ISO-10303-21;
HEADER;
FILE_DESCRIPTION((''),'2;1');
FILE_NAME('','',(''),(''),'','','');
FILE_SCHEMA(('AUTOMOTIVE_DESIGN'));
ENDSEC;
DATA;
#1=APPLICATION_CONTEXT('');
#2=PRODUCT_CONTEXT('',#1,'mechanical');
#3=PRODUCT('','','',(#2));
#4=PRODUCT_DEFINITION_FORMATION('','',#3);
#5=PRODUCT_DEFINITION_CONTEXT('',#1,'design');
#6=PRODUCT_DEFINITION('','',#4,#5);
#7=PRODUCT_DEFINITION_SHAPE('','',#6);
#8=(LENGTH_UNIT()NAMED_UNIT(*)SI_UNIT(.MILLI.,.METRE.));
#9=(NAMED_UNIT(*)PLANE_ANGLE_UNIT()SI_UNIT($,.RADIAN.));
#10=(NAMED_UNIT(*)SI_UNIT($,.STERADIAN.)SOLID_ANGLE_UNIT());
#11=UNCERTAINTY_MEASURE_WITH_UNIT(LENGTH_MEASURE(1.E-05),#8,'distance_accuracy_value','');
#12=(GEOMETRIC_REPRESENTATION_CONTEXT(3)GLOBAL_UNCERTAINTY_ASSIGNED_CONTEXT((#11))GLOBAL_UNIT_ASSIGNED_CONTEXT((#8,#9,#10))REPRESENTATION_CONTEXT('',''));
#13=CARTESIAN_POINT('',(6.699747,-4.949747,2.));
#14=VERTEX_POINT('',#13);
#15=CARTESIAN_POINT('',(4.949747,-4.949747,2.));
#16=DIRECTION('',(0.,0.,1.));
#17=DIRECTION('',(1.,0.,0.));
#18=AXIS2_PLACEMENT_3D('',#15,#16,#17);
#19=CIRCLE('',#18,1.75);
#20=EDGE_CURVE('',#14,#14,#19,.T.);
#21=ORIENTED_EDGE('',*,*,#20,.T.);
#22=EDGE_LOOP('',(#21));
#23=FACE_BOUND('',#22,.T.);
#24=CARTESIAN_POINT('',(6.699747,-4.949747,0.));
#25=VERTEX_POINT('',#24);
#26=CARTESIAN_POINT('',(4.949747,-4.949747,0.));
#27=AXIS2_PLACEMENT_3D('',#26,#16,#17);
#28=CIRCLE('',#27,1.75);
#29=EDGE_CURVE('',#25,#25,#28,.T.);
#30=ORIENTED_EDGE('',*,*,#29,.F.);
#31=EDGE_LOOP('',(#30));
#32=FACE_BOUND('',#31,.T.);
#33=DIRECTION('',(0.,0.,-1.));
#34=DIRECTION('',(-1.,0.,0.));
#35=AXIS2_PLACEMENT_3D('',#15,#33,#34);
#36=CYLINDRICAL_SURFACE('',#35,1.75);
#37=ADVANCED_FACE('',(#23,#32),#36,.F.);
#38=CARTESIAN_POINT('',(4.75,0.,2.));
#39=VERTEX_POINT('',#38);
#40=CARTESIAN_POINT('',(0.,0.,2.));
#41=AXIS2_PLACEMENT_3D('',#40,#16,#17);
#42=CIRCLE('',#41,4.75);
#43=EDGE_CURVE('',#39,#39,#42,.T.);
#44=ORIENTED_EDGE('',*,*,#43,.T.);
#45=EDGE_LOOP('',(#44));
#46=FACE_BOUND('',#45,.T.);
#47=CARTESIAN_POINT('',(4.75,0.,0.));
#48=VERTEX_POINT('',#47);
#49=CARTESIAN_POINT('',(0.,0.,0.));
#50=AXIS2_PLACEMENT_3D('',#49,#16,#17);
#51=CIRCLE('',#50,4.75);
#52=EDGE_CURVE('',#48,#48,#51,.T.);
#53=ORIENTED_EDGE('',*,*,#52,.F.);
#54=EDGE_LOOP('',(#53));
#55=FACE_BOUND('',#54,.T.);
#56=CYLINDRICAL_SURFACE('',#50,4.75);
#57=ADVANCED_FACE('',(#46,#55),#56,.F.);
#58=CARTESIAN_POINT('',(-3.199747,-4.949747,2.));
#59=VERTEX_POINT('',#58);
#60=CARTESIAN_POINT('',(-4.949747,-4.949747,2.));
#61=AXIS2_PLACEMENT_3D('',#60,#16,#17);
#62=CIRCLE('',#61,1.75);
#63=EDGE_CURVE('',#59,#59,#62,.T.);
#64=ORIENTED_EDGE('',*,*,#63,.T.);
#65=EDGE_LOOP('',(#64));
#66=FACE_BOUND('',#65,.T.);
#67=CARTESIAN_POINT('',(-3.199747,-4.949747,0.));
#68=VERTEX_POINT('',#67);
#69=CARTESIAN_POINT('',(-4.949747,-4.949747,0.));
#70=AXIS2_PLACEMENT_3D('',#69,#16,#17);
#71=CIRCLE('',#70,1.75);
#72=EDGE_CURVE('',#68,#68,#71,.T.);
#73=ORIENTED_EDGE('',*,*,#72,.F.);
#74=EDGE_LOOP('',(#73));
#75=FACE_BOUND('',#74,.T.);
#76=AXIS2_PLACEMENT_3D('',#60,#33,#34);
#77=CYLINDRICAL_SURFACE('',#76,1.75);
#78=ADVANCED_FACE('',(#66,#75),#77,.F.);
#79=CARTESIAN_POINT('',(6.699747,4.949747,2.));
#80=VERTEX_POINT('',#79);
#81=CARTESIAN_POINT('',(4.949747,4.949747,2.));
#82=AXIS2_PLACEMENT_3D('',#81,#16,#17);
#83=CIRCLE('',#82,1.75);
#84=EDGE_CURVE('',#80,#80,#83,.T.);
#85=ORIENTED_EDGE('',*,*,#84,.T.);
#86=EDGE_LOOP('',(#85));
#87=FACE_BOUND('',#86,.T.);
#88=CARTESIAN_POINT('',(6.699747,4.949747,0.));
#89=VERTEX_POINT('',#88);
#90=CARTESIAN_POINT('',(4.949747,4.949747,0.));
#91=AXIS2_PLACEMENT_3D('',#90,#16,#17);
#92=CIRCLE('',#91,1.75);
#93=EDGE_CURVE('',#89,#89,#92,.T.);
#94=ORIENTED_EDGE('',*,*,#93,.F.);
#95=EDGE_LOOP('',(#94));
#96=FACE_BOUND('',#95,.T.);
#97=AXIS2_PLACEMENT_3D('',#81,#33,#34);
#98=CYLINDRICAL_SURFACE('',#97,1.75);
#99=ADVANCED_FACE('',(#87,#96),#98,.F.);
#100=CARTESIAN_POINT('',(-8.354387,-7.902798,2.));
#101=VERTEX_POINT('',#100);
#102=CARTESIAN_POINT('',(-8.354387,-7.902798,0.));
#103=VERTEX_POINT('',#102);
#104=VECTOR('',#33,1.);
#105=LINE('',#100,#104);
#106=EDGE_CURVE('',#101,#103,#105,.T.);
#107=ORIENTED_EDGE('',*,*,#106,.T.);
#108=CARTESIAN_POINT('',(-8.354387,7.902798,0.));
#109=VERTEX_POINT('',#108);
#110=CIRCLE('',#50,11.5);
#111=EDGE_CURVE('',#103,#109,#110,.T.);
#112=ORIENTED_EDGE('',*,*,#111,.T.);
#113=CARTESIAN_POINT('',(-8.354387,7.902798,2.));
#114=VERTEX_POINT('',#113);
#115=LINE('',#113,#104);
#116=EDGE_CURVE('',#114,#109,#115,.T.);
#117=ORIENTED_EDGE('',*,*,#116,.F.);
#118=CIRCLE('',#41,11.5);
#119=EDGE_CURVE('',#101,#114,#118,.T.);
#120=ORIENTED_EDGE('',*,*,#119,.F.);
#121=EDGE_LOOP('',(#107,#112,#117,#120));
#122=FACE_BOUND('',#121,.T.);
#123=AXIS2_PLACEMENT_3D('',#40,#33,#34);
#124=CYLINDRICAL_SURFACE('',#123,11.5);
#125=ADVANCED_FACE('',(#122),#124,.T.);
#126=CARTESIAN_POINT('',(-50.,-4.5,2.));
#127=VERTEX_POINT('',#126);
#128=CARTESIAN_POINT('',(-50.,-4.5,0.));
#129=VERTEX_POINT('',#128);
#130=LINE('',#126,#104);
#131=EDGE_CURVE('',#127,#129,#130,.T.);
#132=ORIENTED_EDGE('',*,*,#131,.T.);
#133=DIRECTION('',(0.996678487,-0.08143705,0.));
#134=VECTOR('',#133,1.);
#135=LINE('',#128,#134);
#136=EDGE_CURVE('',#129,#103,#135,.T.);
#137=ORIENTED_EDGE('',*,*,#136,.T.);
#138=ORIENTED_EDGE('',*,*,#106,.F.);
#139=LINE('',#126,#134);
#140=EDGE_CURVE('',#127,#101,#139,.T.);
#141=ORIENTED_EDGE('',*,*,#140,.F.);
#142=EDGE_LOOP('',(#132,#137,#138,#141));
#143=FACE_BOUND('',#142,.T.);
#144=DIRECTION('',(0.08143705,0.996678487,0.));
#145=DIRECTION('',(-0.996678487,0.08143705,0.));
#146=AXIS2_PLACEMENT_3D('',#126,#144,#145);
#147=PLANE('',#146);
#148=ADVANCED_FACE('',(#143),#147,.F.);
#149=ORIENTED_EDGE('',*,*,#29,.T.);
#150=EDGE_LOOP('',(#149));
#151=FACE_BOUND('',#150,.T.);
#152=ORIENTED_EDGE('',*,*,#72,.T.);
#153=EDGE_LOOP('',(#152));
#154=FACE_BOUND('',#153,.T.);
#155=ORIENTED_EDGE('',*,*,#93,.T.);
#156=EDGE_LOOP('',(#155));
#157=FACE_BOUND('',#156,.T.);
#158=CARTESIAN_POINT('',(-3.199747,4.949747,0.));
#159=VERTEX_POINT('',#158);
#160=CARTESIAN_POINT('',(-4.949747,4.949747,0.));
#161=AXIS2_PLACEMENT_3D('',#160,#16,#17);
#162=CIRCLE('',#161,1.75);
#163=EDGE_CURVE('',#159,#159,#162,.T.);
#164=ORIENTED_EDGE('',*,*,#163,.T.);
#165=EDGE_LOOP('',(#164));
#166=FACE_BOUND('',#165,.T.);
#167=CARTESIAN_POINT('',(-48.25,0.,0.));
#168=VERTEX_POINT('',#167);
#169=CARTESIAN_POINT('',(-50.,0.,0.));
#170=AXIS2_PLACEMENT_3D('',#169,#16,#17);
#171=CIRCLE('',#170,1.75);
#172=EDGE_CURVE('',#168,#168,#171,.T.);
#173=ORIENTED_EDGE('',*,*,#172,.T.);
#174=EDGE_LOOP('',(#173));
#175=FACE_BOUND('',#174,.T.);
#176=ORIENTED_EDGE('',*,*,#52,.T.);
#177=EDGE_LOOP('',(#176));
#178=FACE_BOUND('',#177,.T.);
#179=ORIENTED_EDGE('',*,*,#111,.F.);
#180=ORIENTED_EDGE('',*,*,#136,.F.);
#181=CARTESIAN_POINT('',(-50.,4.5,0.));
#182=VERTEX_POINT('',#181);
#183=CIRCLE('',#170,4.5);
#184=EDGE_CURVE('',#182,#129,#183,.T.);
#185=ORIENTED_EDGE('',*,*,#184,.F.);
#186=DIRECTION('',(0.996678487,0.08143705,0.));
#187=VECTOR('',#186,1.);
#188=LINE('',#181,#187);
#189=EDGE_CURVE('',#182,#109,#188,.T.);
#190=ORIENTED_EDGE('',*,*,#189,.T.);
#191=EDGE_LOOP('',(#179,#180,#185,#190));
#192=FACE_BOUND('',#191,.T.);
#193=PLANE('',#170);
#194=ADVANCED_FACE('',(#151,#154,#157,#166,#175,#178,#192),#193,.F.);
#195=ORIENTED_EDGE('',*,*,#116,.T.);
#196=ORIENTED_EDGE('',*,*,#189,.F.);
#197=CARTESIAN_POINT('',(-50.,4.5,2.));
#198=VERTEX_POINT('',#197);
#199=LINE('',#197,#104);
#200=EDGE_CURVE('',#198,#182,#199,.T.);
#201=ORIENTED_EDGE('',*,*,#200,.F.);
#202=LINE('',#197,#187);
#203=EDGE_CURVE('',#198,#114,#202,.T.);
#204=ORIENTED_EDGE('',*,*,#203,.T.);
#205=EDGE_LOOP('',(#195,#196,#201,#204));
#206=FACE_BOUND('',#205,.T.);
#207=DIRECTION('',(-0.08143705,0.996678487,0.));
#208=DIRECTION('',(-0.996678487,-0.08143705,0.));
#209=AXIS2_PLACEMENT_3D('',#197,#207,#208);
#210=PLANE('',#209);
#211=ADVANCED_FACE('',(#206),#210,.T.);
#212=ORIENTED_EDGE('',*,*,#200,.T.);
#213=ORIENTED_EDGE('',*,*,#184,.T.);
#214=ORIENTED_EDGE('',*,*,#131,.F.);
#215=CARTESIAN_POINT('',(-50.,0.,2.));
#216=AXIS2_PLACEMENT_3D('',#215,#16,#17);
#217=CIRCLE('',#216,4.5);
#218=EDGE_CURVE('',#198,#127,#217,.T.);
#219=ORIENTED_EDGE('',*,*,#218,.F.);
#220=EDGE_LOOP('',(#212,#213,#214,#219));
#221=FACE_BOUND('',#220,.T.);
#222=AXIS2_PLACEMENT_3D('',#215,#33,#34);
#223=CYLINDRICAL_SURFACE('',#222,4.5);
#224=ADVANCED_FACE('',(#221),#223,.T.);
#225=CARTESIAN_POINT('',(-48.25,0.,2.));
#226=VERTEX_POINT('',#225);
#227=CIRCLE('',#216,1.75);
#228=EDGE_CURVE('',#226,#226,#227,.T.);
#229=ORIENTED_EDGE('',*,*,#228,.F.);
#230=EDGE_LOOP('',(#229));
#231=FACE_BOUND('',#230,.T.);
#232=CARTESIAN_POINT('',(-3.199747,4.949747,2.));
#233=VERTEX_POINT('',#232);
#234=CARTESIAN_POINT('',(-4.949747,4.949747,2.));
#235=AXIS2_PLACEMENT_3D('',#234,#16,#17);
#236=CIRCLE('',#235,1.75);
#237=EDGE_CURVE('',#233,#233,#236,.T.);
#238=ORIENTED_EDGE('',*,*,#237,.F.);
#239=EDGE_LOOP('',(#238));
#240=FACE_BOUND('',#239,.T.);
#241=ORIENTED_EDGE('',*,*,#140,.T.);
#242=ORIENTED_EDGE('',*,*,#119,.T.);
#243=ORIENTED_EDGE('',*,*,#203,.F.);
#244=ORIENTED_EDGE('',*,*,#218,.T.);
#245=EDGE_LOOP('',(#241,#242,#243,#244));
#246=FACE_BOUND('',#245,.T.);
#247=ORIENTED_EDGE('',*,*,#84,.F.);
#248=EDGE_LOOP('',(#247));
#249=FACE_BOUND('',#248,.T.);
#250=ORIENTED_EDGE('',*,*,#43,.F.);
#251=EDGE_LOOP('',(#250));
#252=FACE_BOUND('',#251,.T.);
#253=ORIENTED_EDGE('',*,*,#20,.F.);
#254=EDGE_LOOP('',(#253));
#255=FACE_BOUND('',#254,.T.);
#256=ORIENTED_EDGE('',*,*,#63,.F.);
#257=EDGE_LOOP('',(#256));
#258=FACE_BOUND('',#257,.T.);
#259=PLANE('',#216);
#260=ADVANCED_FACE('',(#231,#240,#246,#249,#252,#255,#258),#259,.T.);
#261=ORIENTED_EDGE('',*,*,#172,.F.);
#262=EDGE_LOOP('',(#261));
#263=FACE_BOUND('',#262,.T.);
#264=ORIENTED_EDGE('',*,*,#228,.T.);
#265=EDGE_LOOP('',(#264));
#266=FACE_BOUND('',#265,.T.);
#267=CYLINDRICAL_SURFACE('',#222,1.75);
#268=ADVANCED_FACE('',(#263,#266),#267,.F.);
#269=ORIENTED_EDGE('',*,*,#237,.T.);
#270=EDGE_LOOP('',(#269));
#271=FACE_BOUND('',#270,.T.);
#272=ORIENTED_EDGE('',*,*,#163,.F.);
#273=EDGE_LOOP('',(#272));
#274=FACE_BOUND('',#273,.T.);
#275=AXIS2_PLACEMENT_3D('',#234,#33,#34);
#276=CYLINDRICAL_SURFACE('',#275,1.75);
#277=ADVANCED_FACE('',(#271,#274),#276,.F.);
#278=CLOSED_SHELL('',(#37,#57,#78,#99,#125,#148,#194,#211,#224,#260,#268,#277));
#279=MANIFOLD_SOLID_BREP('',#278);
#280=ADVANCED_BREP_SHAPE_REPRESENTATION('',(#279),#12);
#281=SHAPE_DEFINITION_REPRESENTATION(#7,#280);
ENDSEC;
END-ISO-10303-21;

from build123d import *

# Parameters (mm, degrees)
SKETCH_1_R          = 1.75
EXTRUDE_1_DEPTH     = 2
SKETCH_2_R          = 4.75
CUT_EXTRUDE_1_DEPTH = 2


with BuildPart() as part:
    # 草图1 → 凸台-拉伸1 (new body)
    with BuildSketch(Plane.XY):
        with BuildLine():
            Line((-50, 4.5), (-8.354386795, 7.90279832))
            ThreePointArc((-8.354386795, 7.90279832), (11.5, 0), (-8.354386795, -7.90279832))
            Line((-8.354386795, -7.90279832), (-50, -4.5))
            ThreePointArc((-50, -4.5), (-54.5, 0), (-50, 4.5))
        make_face()
        with Locations((-50, 0)):
            Circle(SKETCH_1_R, mode=Mode.SUBTRACT)
        with Locations((4.949747468, 4.949747468)):
            Circle(SKETCH_1_R, mode=Mode.SUBTRACT)
        with Locations((4.949747468, -4.949747468)):
            Circle(SKETCH_1_R, mode=Mode.SUBTRACT)
        with Locations((-4.949747468, -4.949747468)):
            Circle(SKETCH_1_R, mode=Mode.SUBTRACT)
        with Locations((-4.949747468, 4.949747468)):
            Circle(SKETCH_1_R, mode=Mode.SUBTRACT)
    extrude(amount=EXTRUDE_1_DEPTH)

    # 草图2 → 切除-拉伸1 (cut)
    with BuildSketch(Plane.XY.offset(2)):
        Circle(SKETCH_2_R)
    extrude(amount=-CUT_EXTRUDE_1_DEPTH, mode=Mode.SUBTRACT)


solid = part.part
